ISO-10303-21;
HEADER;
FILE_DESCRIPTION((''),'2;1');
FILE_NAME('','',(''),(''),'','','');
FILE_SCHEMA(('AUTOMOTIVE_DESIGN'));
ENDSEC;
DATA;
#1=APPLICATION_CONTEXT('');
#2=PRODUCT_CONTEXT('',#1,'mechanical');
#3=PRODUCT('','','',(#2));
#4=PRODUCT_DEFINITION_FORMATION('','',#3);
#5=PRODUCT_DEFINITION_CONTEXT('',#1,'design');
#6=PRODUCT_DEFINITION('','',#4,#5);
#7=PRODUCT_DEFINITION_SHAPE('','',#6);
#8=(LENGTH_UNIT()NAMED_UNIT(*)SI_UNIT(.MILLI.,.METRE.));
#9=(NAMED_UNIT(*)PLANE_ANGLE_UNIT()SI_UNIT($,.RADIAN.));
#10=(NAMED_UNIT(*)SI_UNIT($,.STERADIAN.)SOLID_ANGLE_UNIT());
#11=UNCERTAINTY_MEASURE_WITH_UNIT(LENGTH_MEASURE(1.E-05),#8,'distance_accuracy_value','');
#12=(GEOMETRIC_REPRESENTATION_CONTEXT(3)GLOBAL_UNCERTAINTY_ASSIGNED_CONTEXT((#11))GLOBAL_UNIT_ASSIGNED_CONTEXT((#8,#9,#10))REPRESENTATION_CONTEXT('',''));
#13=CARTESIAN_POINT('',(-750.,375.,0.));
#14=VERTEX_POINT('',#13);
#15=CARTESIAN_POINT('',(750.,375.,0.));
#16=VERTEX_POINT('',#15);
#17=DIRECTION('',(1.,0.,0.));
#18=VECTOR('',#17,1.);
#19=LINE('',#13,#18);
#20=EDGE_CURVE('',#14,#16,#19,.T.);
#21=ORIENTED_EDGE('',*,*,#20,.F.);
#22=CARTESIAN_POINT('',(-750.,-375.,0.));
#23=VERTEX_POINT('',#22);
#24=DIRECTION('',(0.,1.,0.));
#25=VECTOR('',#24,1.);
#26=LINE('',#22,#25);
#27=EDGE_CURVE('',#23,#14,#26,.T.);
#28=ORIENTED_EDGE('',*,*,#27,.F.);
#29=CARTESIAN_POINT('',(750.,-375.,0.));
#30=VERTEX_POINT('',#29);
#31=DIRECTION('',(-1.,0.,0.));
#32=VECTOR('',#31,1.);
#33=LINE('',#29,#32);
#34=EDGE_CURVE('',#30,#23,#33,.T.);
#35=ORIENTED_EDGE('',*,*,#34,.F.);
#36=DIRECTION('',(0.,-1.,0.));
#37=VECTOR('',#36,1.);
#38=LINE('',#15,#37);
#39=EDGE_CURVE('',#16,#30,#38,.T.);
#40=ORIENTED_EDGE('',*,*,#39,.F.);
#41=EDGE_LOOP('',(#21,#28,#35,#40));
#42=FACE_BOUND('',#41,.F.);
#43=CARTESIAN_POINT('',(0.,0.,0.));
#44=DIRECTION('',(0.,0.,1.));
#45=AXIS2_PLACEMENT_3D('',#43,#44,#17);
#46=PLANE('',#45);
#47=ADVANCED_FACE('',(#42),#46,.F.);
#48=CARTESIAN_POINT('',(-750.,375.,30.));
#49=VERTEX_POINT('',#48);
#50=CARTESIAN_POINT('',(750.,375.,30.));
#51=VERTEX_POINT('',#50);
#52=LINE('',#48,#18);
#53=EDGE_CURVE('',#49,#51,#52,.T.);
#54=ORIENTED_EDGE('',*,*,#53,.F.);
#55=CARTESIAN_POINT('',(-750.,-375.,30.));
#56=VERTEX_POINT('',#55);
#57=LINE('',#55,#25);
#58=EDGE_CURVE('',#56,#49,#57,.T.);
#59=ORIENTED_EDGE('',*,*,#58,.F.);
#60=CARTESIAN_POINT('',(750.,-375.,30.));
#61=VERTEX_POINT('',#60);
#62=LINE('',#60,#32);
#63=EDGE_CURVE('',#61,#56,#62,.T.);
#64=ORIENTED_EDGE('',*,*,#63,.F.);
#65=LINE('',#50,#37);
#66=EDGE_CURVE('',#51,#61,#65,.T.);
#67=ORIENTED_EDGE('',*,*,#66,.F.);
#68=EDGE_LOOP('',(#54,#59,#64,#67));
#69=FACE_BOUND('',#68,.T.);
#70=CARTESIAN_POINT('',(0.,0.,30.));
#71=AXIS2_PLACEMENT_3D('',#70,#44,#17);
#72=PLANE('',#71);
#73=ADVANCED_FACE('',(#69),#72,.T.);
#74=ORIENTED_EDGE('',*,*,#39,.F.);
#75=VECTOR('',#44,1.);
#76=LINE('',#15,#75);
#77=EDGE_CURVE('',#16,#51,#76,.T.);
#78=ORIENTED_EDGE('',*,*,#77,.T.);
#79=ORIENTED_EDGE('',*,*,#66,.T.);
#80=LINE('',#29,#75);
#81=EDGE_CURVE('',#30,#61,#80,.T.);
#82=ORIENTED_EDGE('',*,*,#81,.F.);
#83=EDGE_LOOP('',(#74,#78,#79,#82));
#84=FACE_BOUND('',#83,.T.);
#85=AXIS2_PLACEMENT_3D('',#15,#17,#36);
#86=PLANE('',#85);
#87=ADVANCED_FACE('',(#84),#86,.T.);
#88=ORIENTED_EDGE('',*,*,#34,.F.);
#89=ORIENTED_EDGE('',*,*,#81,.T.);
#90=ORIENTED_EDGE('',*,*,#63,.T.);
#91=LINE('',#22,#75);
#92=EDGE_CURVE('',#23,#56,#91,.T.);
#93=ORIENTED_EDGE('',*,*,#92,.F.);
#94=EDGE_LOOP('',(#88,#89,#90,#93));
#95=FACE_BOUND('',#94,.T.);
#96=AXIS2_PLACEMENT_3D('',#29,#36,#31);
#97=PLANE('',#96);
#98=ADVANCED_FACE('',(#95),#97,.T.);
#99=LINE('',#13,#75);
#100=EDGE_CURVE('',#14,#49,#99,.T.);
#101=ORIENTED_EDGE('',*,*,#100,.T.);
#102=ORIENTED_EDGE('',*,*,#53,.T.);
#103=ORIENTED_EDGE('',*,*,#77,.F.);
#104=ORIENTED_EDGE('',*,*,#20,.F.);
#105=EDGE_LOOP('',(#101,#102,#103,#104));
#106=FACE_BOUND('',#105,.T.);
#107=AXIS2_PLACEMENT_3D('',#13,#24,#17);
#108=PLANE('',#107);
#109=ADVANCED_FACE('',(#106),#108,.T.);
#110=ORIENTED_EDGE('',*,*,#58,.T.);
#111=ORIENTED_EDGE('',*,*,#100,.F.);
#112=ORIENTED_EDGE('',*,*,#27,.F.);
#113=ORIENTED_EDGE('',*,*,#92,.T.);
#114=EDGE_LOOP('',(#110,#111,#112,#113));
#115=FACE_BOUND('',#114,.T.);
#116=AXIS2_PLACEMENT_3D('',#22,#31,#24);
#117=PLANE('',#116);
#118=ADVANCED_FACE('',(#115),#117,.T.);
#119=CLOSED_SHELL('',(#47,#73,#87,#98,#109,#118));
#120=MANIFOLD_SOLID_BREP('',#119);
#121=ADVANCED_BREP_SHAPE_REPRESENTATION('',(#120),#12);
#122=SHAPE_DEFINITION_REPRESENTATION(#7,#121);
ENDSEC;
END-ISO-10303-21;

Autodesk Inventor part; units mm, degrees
ref_plane "YZ Plane" through (0, 0, 0) normal (1, 0, 0) x (0, 1, 0)
ref_plane "XZ Plane" through (0, 0, 0) normal (0, 1, 0) x (-1, 0, 0)
ref_plane "XY Plane" through (0, 0, 0) normal (0, 0, 1) x (1, 0, 0)
sketch "Sketch1" plane through (0, 0, 0) normal (0, 0, 1) x (1, 0, 0)
  line L0 (750, -375) -> (-750, -375)
  line L1 (-750, -375) -> (-750, 375)
  line L2 (-750, 375) -> (750, 375)
  line L3 (750, 375) -> (750, -375)
  line L4 (750, -375) -> (-750, 375) construction
  line L5 (-750, -375) -> (750, 375) construction
  point P0 (0, 0)
  dimension "d0" = 1500
  dimension "d1" = 750
extrude "Extrusion1" add sketch "Sketch1" along normal blind 30
properties part number "Mesa_001_0001" material "Glass"
